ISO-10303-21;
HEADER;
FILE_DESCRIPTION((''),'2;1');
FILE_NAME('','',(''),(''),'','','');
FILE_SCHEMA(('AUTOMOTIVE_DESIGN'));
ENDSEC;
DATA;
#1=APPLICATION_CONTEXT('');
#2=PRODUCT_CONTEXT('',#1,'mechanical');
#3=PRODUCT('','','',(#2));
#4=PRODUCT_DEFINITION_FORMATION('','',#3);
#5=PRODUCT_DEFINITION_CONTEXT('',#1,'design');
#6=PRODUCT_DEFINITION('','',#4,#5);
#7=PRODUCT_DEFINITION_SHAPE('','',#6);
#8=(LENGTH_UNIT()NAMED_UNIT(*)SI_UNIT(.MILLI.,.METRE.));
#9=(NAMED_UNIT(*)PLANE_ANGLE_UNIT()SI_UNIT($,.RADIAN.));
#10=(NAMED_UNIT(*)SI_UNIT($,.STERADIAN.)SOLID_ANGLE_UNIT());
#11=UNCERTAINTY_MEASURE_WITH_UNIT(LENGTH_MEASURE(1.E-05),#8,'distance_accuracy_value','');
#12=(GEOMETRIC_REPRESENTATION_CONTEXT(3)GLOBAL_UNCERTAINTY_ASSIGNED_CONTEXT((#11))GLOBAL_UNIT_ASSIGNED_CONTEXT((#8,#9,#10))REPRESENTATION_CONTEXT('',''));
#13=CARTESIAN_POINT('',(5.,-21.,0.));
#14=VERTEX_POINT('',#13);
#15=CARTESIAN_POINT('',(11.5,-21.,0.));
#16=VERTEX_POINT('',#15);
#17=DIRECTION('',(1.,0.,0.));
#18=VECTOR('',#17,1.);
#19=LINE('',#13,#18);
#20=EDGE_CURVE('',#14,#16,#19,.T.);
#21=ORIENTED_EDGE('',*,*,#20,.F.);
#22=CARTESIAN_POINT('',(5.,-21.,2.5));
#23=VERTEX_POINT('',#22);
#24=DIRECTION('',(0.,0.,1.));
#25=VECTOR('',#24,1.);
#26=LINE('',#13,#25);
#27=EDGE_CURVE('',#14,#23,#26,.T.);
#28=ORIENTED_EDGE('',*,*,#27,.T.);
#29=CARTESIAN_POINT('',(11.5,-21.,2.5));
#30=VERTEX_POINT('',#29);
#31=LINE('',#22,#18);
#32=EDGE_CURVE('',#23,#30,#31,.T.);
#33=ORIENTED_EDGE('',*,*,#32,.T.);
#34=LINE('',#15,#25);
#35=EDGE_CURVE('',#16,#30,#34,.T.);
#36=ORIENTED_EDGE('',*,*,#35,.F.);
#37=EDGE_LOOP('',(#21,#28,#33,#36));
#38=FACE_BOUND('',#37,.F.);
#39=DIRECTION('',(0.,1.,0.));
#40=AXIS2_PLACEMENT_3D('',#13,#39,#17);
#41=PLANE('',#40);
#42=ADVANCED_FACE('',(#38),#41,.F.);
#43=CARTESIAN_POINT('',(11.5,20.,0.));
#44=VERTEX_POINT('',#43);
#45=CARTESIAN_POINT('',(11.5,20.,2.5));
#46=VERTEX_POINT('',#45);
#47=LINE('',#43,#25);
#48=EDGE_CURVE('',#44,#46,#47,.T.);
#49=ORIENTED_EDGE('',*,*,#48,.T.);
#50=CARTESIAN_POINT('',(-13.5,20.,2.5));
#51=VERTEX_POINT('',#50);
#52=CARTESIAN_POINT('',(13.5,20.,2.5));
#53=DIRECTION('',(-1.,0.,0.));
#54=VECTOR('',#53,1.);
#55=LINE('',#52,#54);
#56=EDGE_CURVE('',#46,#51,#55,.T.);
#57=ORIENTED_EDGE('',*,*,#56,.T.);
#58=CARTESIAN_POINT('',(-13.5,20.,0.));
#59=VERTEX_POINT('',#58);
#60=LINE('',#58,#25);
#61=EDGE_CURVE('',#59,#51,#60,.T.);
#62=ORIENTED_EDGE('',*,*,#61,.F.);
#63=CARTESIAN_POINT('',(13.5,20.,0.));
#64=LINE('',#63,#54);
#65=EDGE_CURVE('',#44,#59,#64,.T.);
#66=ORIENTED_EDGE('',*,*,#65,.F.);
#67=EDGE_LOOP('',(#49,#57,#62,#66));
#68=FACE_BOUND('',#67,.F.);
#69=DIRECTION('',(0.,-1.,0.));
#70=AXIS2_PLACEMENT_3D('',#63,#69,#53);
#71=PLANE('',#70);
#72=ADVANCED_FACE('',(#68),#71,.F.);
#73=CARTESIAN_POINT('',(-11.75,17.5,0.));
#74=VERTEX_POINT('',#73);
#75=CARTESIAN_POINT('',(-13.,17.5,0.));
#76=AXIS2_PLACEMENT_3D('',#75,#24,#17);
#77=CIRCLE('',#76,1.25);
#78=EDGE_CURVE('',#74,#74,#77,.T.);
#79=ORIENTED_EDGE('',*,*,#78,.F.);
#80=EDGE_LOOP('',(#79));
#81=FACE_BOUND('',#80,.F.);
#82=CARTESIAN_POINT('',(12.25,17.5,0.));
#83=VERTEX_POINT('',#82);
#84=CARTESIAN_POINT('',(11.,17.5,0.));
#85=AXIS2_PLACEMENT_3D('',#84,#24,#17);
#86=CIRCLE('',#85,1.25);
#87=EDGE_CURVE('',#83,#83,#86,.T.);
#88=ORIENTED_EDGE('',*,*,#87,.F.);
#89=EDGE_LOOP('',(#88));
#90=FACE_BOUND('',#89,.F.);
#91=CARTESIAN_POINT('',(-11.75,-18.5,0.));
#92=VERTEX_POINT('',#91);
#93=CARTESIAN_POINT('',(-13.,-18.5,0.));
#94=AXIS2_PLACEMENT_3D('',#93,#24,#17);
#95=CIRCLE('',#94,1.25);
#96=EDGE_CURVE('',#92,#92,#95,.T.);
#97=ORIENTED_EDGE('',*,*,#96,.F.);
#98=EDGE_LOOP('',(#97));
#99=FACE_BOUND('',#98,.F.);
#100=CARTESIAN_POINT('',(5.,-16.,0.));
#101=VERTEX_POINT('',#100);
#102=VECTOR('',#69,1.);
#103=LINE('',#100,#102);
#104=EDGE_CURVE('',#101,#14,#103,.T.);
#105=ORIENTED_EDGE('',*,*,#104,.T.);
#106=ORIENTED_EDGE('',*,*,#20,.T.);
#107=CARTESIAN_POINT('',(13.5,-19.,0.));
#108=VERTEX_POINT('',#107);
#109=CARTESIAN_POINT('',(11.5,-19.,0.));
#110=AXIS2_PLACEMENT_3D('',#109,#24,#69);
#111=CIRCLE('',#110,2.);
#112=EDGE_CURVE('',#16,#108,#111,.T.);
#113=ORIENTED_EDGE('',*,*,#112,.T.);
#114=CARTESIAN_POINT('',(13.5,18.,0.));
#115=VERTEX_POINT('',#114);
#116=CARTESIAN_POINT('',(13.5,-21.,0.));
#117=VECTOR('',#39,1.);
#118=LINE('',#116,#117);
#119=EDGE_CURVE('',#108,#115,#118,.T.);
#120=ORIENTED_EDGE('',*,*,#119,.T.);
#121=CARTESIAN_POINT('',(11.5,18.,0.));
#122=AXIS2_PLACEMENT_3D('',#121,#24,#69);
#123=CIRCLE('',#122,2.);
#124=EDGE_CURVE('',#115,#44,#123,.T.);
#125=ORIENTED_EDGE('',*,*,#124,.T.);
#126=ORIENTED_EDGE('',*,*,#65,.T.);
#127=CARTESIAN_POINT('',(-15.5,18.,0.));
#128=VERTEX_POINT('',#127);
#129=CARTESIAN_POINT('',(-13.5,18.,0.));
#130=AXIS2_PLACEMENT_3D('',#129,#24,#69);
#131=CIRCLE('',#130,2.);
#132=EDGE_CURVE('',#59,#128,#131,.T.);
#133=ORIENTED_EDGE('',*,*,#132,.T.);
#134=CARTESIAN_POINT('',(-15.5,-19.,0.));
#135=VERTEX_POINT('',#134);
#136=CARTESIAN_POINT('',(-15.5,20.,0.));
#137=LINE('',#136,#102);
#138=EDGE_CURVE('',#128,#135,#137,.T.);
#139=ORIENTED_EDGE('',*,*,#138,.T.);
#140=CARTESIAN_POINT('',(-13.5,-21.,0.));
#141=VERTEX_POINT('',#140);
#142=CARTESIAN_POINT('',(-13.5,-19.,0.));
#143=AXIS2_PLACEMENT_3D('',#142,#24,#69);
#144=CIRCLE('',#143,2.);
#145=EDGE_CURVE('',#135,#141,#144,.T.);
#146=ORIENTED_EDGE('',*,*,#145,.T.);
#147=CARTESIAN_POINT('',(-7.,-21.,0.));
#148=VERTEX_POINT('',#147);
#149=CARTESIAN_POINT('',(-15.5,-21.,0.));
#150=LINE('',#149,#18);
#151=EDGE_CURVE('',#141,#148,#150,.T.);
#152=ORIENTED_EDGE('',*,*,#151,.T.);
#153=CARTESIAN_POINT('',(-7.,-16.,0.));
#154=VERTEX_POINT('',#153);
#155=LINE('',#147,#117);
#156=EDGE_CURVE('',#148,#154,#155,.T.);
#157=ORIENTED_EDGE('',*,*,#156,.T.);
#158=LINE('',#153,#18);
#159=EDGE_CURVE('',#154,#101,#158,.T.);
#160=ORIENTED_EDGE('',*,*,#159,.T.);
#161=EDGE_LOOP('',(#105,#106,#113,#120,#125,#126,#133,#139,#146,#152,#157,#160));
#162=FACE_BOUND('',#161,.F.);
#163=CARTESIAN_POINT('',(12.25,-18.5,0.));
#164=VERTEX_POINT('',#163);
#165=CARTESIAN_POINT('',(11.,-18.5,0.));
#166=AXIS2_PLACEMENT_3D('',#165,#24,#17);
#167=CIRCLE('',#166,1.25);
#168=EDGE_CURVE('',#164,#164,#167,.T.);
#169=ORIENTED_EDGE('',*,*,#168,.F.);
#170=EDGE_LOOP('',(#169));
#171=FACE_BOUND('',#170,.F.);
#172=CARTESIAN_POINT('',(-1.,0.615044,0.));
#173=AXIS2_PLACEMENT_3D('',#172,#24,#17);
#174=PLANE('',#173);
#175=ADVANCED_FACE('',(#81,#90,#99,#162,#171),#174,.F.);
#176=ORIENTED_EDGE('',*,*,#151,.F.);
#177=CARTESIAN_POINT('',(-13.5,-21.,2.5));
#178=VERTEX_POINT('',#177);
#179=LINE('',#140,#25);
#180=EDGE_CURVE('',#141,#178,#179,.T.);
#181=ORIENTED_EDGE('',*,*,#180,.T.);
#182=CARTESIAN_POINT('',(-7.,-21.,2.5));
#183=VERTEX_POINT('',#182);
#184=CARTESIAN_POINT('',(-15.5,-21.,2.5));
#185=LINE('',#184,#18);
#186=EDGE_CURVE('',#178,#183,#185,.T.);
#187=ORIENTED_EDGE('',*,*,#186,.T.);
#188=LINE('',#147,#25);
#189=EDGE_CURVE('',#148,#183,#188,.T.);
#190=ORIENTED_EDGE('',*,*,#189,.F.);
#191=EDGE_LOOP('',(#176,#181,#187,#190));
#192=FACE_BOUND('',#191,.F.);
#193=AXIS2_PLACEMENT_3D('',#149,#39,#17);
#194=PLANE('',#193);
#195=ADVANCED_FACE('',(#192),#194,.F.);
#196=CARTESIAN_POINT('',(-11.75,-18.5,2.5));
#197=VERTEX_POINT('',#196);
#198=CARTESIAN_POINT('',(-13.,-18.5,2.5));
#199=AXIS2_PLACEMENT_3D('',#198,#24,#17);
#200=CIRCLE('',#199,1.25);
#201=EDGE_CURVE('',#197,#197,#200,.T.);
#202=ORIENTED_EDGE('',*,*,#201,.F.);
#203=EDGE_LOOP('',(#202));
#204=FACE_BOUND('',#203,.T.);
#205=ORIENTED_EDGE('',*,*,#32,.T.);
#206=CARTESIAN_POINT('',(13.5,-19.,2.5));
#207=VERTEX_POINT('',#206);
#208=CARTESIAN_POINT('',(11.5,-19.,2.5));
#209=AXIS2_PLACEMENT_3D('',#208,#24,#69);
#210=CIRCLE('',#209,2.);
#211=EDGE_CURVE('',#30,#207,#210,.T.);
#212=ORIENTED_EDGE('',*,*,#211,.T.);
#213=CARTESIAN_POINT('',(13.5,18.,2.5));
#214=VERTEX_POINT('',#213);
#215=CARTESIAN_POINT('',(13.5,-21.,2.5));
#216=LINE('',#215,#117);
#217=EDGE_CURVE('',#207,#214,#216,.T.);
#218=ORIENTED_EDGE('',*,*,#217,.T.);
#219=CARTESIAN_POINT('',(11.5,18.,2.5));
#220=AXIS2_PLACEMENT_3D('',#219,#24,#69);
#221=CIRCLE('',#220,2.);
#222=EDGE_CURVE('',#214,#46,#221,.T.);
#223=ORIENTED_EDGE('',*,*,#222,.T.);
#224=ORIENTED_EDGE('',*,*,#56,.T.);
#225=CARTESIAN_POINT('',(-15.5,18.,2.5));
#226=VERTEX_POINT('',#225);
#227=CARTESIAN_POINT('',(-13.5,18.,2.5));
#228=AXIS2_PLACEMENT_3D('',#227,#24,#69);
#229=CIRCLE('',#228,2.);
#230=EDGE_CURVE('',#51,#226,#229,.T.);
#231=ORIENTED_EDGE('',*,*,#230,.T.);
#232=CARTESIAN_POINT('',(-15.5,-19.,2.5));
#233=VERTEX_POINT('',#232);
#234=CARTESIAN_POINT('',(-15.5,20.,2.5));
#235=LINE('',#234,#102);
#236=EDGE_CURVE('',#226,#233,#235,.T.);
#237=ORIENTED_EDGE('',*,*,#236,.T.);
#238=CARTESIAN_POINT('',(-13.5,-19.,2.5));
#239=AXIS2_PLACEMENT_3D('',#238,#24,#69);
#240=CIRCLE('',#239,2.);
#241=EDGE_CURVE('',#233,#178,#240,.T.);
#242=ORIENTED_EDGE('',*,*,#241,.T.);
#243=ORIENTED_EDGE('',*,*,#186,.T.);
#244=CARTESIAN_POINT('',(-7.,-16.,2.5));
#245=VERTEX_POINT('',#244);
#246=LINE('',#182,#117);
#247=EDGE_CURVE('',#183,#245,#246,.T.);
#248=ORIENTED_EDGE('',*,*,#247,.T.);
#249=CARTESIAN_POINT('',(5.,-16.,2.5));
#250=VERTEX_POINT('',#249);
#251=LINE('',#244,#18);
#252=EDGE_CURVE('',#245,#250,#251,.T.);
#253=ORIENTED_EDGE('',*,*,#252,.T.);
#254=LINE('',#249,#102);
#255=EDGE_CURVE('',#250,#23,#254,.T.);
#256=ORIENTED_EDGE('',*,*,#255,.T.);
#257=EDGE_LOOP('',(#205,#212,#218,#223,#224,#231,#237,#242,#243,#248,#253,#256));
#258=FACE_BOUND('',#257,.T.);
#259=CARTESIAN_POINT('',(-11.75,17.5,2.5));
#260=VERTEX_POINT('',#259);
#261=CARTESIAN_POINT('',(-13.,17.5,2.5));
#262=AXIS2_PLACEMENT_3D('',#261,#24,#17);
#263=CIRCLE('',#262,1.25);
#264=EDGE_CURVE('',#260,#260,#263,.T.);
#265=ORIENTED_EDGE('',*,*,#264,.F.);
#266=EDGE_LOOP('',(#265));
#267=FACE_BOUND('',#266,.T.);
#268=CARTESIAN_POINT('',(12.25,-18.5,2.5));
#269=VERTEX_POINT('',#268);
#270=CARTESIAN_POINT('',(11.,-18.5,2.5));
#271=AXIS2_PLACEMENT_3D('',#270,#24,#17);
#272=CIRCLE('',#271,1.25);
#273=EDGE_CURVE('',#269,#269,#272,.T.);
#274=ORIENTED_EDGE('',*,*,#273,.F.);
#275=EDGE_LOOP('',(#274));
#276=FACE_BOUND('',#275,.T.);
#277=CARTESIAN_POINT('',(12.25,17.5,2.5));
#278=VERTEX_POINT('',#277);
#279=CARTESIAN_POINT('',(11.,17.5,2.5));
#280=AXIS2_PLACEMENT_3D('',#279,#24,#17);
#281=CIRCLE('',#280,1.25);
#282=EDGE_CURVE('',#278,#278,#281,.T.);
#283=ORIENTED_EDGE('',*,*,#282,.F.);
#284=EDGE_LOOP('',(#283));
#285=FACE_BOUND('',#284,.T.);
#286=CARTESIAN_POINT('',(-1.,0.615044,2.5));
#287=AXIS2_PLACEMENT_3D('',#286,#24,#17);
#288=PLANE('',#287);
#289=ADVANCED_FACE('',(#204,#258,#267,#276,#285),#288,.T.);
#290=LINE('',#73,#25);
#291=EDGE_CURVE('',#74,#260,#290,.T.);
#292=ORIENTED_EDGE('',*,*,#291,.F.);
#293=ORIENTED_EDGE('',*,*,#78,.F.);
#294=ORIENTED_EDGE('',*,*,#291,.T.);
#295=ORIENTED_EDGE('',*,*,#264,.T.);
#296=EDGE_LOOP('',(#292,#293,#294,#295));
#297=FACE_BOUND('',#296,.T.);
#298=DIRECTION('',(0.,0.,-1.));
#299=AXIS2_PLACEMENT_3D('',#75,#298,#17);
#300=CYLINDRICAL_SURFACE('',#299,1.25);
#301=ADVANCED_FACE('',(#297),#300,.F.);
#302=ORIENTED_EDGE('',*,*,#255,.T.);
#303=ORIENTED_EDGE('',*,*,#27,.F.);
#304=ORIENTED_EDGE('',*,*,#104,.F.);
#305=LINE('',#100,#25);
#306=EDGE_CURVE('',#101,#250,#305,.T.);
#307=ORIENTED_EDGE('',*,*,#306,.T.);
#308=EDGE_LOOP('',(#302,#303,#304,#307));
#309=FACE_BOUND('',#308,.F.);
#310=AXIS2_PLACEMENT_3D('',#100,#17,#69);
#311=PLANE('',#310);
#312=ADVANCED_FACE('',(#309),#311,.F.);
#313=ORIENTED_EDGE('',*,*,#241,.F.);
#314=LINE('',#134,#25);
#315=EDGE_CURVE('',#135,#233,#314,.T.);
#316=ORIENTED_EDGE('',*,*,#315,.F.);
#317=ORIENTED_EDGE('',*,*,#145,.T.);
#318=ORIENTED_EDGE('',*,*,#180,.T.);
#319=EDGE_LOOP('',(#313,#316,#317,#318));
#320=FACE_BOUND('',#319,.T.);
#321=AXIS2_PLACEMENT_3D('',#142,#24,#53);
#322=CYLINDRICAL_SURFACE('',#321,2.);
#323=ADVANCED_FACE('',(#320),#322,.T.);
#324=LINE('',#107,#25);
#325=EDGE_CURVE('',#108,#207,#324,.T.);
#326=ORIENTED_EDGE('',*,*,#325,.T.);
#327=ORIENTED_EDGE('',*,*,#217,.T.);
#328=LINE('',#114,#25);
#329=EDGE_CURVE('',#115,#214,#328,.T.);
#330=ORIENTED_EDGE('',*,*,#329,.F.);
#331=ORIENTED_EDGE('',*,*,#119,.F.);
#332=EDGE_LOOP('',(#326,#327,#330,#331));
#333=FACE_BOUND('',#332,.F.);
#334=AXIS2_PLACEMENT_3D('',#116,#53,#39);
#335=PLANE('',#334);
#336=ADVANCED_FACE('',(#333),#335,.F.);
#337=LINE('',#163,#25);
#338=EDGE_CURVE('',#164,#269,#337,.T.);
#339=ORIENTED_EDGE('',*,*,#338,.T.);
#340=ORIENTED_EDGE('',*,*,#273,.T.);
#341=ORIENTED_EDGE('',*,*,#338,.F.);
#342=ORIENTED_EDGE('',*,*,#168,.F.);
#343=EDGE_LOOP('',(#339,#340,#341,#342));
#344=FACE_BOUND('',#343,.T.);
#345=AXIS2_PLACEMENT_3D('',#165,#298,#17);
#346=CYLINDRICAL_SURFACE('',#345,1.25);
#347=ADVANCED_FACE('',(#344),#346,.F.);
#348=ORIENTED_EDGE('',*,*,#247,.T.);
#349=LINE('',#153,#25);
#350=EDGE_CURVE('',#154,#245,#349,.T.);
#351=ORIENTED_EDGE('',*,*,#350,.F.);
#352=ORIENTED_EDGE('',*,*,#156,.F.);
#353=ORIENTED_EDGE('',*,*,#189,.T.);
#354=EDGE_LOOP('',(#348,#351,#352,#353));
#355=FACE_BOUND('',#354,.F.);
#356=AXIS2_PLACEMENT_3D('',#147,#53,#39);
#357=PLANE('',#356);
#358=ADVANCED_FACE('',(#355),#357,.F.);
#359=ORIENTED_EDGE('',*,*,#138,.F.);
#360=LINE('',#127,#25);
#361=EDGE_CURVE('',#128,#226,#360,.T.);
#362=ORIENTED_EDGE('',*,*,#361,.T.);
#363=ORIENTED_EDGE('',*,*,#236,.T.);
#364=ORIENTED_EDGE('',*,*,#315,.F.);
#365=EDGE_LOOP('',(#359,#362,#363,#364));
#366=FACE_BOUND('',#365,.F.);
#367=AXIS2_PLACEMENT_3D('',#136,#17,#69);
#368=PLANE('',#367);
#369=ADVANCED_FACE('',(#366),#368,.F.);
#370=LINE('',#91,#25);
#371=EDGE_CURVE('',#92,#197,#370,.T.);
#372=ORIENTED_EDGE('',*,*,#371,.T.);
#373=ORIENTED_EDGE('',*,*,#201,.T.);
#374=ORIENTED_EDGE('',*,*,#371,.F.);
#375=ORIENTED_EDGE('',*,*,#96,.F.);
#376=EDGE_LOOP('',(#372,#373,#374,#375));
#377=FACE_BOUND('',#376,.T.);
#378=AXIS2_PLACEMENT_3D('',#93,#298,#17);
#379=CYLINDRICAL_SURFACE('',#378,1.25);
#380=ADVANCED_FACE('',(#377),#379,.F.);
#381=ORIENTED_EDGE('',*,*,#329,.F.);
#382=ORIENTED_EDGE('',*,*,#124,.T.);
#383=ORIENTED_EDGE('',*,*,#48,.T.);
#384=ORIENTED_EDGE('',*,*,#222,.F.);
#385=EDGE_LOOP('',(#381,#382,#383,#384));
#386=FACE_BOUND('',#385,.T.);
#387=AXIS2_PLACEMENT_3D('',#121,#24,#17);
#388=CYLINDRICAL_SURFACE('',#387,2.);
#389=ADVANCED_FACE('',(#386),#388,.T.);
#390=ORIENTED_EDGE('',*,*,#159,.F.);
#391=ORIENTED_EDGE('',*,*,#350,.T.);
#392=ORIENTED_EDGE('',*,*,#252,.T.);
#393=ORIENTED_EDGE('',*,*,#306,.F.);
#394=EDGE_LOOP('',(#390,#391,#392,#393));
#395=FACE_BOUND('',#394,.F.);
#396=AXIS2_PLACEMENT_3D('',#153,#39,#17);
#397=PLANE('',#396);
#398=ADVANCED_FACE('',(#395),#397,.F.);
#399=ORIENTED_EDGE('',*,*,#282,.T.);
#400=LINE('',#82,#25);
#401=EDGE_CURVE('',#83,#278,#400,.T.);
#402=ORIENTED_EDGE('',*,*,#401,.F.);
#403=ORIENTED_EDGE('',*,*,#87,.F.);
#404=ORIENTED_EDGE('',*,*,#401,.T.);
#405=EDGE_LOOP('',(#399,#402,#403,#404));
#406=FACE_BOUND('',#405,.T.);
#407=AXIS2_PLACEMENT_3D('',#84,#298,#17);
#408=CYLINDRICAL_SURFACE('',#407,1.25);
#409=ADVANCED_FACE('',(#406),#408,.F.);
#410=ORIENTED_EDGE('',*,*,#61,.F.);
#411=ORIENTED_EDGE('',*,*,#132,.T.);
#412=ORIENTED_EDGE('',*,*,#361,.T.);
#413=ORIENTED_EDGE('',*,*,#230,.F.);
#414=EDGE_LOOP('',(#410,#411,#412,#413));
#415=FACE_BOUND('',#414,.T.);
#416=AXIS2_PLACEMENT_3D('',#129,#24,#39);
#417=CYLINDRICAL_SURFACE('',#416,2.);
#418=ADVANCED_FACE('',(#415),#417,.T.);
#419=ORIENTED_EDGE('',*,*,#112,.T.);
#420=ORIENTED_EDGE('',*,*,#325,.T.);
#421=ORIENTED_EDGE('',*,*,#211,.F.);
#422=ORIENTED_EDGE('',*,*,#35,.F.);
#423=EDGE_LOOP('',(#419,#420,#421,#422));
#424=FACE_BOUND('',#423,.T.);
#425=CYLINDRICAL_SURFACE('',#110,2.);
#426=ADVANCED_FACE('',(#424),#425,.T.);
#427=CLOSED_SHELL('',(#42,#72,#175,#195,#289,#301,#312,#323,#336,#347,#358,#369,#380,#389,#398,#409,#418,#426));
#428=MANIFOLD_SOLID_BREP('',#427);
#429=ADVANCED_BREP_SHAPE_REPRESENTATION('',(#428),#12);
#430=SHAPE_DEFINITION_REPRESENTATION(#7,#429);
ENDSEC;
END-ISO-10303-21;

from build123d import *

# Parameters (mm, degrees)
F0_R     = 1.25
F1_DEPTH = 2.5
F2_R     = 2


with BuildPart() as f1:
    # F0 (on Top) → F1 (new body)
    with BuildSketch(Plane.XY):
        Polygon((8.5, 15), (8.5, -16), (5, -16), (5, -21), (13.5, -21), (13.5, 20), (-15.5, 20), (-15.5, -21), (-7, -21), (-7, -16), (-10.5, -16), (-10.5, 15), align=None)
        with Locations((-13, -18.5)):
            Circle(F0_R, mode=Mode.SUBTRACT)
        with Locations((11, -18.5)):
            Circle(F0_R, mode=Mode.SUBTRACT)
        with Locations((-13, 17.5)):
            Circle(F0_R, mode=Mode.SUBTRACT)
        with Locations((11, 17.5)):
            Circle(F0_R, mode=Mode.SUBTRACT)
        Polygon((5, -16), (8.5, -16), (8.5, 15), (-10.5, 15), (-10.5, -16), (-7, -16), align=None)
    extrude(amount=F1_DEPTH)

    # F2
    f2_edges = [f1.edges().sort_by_distance(p)[0] for p in [
        (-15.5, 20, 1.25),
        (13.5, 20, 1.25),
        (13.5, -21, 1.25),
        (-15.5, -21, 1.25),
    ]]
    fillet(f2_edges, radius=F2_R)


solid = f1.part
